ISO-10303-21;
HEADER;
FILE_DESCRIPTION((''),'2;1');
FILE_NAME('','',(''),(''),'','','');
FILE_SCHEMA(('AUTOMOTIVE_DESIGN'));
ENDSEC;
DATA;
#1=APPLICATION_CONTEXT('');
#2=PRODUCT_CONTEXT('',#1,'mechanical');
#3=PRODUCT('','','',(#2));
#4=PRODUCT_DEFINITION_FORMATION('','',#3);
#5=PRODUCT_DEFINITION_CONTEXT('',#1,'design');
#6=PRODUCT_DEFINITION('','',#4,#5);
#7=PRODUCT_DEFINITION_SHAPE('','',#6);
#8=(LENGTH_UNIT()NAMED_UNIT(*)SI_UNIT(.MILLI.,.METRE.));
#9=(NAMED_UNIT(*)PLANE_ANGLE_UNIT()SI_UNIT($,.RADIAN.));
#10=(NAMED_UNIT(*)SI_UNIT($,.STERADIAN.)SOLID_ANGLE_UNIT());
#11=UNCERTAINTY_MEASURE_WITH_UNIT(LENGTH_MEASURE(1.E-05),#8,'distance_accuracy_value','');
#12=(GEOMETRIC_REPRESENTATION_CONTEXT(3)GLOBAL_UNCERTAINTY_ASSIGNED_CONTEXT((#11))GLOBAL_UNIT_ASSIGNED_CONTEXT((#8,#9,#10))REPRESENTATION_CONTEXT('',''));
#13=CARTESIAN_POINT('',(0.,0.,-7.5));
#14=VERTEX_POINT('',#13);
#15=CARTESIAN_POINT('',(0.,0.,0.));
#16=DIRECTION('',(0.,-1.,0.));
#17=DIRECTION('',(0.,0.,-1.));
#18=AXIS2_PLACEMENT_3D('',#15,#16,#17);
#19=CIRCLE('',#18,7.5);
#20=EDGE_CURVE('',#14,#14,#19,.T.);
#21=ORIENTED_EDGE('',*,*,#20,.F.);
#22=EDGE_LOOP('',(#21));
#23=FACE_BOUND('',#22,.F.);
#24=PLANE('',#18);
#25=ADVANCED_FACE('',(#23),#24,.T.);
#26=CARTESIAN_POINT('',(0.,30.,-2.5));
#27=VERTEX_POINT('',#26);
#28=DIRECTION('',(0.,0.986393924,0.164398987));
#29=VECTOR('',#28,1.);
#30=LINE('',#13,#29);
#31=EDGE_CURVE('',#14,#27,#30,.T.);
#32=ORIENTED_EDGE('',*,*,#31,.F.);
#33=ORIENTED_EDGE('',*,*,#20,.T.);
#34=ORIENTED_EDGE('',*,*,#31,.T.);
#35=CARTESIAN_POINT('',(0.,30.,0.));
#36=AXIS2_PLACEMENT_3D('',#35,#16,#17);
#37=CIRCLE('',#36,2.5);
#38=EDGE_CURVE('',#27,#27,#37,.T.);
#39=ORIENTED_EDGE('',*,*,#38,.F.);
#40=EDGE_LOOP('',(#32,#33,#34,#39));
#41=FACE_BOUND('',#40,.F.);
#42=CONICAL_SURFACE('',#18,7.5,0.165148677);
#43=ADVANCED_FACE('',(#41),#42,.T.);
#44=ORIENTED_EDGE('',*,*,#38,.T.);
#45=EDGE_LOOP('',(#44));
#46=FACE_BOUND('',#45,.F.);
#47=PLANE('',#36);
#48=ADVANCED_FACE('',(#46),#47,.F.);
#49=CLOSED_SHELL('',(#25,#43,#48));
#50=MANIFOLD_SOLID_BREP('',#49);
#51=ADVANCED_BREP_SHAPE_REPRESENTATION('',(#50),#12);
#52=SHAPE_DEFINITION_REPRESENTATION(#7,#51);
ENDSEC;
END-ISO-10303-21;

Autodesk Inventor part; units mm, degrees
ref_plane "YZ Plane" through (0, 0, 0) normal (1, 0, 0) x (0, 1, 0)
ref_plane "XZ Plane" through (0, 0, 0) normal (0, 1, 0) x (-1, 0, 0)
ref_plane "XY Plane" through (0, 0, 0) normal (0, 0, 1) x (1, 0, 0)
sketch "Sketch1" plane through (0, 0, 0) normal (1, 0, 0) x (0, 1, 0)
  line L0 (0, 0) -> (0, -7.5)
  line L1 (0, -7.5) -> (30, -2.5)
  line L2 (30, -2.5) -> (30, 0)
  line L3 (30, 0) -> (0, 0)
  dimension "d0" = 2.5
  dimension "d1" = 7.5
  dimension "d2" = 30
revolve "Revolution1" add sketch "Sketch1" angle 360 about axis through (0, 30, 0) along (0, -1, 0)
properties part number "Cone"
